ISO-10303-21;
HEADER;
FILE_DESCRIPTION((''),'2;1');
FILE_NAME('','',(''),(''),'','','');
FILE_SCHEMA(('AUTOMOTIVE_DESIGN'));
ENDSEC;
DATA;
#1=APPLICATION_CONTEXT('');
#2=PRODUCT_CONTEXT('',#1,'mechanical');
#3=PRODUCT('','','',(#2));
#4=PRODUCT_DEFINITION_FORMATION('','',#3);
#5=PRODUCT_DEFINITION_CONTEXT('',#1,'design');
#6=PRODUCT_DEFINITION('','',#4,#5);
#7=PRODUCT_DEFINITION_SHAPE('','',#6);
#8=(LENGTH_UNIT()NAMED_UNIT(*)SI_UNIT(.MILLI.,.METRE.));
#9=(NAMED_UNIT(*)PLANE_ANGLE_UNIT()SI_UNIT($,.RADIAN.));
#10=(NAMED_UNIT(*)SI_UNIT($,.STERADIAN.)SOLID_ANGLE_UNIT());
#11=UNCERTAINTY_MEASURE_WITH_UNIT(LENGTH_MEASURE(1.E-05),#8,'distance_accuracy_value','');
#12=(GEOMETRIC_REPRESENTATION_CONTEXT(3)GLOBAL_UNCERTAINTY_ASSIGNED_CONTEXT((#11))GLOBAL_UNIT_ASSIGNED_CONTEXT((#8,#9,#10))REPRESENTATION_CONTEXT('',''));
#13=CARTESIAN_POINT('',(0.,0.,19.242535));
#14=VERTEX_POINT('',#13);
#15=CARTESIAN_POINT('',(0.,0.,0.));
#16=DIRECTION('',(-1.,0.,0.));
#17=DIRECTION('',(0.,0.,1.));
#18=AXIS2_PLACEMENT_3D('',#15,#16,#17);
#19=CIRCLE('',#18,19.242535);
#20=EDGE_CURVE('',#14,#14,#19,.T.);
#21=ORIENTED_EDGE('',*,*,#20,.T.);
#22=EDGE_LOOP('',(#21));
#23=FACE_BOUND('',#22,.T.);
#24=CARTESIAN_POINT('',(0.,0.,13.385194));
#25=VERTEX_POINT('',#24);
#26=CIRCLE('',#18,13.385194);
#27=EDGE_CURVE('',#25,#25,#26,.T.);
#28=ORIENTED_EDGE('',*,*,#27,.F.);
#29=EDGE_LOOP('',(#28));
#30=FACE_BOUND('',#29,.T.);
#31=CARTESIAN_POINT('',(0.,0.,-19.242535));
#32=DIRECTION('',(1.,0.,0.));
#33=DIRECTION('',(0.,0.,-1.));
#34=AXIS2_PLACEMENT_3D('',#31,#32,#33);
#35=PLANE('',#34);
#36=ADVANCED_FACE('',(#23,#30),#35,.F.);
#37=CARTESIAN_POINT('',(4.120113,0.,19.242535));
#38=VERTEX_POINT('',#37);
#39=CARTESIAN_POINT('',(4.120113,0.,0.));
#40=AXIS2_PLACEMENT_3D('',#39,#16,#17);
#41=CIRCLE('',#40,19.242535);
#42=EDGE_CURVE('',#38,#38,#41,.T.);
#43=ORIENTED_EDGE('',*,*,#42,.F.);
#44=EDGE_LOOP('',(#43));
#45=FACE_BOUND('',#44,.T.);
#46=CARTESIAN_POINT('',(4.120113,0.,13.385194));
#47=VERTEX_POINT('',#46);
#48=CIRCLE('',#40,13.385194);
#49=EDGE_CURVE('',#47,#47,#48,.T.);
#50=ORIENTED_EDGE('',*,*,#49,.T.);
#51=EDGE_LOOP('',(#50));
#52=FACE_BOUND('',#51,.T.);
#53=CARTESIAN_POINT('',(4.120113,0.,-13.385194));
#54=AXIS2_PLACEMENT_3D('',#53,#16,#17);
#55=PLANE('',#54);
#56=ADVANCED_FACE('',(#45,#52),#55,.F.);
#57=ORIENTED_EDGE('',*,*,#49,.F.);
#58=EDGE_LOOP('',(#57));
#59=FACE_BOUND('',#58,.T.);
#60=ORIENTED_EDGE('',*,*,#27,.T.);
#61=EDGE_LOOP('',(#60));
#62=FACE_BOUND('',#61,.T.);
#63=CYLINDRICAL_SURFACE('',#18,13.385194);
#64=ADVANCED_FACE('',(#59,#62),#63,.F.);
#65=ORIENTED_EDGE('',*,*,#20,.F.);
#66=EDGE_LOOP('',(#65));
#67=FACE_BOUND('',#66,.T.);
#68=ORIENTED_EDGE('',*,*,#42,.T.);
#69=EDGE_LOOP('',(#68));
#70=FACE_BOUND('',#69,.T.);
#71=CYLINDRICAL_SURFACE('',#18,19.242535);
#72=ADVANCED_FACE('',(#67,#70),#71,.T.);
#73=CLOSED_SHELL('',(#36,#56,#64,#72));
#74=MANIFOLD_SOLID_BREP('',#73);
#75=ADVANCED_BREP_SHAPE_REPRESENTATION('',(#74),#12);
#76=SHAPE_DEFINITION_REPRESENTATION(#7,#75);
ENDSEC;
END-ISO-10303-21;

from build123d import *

# Parameters (mm, degrees)
IZIM2_W = 4.120113223
IZIM2_H = 5.857340585


with BuildPart() as part:
    # Çizim2 → Döndür1 (revolve)
    with BuildSketch(Plane(origin=(0, 0, 0), x_dir=(1, 0, 0), z_dir=(0, 1, 0)), mode=Mode.PRIVATE) as d_nd_r1_sk:
        with Locations((2.060056612, 16.313864266)):
            Rectangle(IZIM2_W, IZIM2_H)
    revolve(d_nd_r1_sk.sketch.rotate(Axis((0, 0, 0), (1, 0, 0)), 180), axis=Axis((0, 0, 0), (1, 0, 0)))


solid = part.part
